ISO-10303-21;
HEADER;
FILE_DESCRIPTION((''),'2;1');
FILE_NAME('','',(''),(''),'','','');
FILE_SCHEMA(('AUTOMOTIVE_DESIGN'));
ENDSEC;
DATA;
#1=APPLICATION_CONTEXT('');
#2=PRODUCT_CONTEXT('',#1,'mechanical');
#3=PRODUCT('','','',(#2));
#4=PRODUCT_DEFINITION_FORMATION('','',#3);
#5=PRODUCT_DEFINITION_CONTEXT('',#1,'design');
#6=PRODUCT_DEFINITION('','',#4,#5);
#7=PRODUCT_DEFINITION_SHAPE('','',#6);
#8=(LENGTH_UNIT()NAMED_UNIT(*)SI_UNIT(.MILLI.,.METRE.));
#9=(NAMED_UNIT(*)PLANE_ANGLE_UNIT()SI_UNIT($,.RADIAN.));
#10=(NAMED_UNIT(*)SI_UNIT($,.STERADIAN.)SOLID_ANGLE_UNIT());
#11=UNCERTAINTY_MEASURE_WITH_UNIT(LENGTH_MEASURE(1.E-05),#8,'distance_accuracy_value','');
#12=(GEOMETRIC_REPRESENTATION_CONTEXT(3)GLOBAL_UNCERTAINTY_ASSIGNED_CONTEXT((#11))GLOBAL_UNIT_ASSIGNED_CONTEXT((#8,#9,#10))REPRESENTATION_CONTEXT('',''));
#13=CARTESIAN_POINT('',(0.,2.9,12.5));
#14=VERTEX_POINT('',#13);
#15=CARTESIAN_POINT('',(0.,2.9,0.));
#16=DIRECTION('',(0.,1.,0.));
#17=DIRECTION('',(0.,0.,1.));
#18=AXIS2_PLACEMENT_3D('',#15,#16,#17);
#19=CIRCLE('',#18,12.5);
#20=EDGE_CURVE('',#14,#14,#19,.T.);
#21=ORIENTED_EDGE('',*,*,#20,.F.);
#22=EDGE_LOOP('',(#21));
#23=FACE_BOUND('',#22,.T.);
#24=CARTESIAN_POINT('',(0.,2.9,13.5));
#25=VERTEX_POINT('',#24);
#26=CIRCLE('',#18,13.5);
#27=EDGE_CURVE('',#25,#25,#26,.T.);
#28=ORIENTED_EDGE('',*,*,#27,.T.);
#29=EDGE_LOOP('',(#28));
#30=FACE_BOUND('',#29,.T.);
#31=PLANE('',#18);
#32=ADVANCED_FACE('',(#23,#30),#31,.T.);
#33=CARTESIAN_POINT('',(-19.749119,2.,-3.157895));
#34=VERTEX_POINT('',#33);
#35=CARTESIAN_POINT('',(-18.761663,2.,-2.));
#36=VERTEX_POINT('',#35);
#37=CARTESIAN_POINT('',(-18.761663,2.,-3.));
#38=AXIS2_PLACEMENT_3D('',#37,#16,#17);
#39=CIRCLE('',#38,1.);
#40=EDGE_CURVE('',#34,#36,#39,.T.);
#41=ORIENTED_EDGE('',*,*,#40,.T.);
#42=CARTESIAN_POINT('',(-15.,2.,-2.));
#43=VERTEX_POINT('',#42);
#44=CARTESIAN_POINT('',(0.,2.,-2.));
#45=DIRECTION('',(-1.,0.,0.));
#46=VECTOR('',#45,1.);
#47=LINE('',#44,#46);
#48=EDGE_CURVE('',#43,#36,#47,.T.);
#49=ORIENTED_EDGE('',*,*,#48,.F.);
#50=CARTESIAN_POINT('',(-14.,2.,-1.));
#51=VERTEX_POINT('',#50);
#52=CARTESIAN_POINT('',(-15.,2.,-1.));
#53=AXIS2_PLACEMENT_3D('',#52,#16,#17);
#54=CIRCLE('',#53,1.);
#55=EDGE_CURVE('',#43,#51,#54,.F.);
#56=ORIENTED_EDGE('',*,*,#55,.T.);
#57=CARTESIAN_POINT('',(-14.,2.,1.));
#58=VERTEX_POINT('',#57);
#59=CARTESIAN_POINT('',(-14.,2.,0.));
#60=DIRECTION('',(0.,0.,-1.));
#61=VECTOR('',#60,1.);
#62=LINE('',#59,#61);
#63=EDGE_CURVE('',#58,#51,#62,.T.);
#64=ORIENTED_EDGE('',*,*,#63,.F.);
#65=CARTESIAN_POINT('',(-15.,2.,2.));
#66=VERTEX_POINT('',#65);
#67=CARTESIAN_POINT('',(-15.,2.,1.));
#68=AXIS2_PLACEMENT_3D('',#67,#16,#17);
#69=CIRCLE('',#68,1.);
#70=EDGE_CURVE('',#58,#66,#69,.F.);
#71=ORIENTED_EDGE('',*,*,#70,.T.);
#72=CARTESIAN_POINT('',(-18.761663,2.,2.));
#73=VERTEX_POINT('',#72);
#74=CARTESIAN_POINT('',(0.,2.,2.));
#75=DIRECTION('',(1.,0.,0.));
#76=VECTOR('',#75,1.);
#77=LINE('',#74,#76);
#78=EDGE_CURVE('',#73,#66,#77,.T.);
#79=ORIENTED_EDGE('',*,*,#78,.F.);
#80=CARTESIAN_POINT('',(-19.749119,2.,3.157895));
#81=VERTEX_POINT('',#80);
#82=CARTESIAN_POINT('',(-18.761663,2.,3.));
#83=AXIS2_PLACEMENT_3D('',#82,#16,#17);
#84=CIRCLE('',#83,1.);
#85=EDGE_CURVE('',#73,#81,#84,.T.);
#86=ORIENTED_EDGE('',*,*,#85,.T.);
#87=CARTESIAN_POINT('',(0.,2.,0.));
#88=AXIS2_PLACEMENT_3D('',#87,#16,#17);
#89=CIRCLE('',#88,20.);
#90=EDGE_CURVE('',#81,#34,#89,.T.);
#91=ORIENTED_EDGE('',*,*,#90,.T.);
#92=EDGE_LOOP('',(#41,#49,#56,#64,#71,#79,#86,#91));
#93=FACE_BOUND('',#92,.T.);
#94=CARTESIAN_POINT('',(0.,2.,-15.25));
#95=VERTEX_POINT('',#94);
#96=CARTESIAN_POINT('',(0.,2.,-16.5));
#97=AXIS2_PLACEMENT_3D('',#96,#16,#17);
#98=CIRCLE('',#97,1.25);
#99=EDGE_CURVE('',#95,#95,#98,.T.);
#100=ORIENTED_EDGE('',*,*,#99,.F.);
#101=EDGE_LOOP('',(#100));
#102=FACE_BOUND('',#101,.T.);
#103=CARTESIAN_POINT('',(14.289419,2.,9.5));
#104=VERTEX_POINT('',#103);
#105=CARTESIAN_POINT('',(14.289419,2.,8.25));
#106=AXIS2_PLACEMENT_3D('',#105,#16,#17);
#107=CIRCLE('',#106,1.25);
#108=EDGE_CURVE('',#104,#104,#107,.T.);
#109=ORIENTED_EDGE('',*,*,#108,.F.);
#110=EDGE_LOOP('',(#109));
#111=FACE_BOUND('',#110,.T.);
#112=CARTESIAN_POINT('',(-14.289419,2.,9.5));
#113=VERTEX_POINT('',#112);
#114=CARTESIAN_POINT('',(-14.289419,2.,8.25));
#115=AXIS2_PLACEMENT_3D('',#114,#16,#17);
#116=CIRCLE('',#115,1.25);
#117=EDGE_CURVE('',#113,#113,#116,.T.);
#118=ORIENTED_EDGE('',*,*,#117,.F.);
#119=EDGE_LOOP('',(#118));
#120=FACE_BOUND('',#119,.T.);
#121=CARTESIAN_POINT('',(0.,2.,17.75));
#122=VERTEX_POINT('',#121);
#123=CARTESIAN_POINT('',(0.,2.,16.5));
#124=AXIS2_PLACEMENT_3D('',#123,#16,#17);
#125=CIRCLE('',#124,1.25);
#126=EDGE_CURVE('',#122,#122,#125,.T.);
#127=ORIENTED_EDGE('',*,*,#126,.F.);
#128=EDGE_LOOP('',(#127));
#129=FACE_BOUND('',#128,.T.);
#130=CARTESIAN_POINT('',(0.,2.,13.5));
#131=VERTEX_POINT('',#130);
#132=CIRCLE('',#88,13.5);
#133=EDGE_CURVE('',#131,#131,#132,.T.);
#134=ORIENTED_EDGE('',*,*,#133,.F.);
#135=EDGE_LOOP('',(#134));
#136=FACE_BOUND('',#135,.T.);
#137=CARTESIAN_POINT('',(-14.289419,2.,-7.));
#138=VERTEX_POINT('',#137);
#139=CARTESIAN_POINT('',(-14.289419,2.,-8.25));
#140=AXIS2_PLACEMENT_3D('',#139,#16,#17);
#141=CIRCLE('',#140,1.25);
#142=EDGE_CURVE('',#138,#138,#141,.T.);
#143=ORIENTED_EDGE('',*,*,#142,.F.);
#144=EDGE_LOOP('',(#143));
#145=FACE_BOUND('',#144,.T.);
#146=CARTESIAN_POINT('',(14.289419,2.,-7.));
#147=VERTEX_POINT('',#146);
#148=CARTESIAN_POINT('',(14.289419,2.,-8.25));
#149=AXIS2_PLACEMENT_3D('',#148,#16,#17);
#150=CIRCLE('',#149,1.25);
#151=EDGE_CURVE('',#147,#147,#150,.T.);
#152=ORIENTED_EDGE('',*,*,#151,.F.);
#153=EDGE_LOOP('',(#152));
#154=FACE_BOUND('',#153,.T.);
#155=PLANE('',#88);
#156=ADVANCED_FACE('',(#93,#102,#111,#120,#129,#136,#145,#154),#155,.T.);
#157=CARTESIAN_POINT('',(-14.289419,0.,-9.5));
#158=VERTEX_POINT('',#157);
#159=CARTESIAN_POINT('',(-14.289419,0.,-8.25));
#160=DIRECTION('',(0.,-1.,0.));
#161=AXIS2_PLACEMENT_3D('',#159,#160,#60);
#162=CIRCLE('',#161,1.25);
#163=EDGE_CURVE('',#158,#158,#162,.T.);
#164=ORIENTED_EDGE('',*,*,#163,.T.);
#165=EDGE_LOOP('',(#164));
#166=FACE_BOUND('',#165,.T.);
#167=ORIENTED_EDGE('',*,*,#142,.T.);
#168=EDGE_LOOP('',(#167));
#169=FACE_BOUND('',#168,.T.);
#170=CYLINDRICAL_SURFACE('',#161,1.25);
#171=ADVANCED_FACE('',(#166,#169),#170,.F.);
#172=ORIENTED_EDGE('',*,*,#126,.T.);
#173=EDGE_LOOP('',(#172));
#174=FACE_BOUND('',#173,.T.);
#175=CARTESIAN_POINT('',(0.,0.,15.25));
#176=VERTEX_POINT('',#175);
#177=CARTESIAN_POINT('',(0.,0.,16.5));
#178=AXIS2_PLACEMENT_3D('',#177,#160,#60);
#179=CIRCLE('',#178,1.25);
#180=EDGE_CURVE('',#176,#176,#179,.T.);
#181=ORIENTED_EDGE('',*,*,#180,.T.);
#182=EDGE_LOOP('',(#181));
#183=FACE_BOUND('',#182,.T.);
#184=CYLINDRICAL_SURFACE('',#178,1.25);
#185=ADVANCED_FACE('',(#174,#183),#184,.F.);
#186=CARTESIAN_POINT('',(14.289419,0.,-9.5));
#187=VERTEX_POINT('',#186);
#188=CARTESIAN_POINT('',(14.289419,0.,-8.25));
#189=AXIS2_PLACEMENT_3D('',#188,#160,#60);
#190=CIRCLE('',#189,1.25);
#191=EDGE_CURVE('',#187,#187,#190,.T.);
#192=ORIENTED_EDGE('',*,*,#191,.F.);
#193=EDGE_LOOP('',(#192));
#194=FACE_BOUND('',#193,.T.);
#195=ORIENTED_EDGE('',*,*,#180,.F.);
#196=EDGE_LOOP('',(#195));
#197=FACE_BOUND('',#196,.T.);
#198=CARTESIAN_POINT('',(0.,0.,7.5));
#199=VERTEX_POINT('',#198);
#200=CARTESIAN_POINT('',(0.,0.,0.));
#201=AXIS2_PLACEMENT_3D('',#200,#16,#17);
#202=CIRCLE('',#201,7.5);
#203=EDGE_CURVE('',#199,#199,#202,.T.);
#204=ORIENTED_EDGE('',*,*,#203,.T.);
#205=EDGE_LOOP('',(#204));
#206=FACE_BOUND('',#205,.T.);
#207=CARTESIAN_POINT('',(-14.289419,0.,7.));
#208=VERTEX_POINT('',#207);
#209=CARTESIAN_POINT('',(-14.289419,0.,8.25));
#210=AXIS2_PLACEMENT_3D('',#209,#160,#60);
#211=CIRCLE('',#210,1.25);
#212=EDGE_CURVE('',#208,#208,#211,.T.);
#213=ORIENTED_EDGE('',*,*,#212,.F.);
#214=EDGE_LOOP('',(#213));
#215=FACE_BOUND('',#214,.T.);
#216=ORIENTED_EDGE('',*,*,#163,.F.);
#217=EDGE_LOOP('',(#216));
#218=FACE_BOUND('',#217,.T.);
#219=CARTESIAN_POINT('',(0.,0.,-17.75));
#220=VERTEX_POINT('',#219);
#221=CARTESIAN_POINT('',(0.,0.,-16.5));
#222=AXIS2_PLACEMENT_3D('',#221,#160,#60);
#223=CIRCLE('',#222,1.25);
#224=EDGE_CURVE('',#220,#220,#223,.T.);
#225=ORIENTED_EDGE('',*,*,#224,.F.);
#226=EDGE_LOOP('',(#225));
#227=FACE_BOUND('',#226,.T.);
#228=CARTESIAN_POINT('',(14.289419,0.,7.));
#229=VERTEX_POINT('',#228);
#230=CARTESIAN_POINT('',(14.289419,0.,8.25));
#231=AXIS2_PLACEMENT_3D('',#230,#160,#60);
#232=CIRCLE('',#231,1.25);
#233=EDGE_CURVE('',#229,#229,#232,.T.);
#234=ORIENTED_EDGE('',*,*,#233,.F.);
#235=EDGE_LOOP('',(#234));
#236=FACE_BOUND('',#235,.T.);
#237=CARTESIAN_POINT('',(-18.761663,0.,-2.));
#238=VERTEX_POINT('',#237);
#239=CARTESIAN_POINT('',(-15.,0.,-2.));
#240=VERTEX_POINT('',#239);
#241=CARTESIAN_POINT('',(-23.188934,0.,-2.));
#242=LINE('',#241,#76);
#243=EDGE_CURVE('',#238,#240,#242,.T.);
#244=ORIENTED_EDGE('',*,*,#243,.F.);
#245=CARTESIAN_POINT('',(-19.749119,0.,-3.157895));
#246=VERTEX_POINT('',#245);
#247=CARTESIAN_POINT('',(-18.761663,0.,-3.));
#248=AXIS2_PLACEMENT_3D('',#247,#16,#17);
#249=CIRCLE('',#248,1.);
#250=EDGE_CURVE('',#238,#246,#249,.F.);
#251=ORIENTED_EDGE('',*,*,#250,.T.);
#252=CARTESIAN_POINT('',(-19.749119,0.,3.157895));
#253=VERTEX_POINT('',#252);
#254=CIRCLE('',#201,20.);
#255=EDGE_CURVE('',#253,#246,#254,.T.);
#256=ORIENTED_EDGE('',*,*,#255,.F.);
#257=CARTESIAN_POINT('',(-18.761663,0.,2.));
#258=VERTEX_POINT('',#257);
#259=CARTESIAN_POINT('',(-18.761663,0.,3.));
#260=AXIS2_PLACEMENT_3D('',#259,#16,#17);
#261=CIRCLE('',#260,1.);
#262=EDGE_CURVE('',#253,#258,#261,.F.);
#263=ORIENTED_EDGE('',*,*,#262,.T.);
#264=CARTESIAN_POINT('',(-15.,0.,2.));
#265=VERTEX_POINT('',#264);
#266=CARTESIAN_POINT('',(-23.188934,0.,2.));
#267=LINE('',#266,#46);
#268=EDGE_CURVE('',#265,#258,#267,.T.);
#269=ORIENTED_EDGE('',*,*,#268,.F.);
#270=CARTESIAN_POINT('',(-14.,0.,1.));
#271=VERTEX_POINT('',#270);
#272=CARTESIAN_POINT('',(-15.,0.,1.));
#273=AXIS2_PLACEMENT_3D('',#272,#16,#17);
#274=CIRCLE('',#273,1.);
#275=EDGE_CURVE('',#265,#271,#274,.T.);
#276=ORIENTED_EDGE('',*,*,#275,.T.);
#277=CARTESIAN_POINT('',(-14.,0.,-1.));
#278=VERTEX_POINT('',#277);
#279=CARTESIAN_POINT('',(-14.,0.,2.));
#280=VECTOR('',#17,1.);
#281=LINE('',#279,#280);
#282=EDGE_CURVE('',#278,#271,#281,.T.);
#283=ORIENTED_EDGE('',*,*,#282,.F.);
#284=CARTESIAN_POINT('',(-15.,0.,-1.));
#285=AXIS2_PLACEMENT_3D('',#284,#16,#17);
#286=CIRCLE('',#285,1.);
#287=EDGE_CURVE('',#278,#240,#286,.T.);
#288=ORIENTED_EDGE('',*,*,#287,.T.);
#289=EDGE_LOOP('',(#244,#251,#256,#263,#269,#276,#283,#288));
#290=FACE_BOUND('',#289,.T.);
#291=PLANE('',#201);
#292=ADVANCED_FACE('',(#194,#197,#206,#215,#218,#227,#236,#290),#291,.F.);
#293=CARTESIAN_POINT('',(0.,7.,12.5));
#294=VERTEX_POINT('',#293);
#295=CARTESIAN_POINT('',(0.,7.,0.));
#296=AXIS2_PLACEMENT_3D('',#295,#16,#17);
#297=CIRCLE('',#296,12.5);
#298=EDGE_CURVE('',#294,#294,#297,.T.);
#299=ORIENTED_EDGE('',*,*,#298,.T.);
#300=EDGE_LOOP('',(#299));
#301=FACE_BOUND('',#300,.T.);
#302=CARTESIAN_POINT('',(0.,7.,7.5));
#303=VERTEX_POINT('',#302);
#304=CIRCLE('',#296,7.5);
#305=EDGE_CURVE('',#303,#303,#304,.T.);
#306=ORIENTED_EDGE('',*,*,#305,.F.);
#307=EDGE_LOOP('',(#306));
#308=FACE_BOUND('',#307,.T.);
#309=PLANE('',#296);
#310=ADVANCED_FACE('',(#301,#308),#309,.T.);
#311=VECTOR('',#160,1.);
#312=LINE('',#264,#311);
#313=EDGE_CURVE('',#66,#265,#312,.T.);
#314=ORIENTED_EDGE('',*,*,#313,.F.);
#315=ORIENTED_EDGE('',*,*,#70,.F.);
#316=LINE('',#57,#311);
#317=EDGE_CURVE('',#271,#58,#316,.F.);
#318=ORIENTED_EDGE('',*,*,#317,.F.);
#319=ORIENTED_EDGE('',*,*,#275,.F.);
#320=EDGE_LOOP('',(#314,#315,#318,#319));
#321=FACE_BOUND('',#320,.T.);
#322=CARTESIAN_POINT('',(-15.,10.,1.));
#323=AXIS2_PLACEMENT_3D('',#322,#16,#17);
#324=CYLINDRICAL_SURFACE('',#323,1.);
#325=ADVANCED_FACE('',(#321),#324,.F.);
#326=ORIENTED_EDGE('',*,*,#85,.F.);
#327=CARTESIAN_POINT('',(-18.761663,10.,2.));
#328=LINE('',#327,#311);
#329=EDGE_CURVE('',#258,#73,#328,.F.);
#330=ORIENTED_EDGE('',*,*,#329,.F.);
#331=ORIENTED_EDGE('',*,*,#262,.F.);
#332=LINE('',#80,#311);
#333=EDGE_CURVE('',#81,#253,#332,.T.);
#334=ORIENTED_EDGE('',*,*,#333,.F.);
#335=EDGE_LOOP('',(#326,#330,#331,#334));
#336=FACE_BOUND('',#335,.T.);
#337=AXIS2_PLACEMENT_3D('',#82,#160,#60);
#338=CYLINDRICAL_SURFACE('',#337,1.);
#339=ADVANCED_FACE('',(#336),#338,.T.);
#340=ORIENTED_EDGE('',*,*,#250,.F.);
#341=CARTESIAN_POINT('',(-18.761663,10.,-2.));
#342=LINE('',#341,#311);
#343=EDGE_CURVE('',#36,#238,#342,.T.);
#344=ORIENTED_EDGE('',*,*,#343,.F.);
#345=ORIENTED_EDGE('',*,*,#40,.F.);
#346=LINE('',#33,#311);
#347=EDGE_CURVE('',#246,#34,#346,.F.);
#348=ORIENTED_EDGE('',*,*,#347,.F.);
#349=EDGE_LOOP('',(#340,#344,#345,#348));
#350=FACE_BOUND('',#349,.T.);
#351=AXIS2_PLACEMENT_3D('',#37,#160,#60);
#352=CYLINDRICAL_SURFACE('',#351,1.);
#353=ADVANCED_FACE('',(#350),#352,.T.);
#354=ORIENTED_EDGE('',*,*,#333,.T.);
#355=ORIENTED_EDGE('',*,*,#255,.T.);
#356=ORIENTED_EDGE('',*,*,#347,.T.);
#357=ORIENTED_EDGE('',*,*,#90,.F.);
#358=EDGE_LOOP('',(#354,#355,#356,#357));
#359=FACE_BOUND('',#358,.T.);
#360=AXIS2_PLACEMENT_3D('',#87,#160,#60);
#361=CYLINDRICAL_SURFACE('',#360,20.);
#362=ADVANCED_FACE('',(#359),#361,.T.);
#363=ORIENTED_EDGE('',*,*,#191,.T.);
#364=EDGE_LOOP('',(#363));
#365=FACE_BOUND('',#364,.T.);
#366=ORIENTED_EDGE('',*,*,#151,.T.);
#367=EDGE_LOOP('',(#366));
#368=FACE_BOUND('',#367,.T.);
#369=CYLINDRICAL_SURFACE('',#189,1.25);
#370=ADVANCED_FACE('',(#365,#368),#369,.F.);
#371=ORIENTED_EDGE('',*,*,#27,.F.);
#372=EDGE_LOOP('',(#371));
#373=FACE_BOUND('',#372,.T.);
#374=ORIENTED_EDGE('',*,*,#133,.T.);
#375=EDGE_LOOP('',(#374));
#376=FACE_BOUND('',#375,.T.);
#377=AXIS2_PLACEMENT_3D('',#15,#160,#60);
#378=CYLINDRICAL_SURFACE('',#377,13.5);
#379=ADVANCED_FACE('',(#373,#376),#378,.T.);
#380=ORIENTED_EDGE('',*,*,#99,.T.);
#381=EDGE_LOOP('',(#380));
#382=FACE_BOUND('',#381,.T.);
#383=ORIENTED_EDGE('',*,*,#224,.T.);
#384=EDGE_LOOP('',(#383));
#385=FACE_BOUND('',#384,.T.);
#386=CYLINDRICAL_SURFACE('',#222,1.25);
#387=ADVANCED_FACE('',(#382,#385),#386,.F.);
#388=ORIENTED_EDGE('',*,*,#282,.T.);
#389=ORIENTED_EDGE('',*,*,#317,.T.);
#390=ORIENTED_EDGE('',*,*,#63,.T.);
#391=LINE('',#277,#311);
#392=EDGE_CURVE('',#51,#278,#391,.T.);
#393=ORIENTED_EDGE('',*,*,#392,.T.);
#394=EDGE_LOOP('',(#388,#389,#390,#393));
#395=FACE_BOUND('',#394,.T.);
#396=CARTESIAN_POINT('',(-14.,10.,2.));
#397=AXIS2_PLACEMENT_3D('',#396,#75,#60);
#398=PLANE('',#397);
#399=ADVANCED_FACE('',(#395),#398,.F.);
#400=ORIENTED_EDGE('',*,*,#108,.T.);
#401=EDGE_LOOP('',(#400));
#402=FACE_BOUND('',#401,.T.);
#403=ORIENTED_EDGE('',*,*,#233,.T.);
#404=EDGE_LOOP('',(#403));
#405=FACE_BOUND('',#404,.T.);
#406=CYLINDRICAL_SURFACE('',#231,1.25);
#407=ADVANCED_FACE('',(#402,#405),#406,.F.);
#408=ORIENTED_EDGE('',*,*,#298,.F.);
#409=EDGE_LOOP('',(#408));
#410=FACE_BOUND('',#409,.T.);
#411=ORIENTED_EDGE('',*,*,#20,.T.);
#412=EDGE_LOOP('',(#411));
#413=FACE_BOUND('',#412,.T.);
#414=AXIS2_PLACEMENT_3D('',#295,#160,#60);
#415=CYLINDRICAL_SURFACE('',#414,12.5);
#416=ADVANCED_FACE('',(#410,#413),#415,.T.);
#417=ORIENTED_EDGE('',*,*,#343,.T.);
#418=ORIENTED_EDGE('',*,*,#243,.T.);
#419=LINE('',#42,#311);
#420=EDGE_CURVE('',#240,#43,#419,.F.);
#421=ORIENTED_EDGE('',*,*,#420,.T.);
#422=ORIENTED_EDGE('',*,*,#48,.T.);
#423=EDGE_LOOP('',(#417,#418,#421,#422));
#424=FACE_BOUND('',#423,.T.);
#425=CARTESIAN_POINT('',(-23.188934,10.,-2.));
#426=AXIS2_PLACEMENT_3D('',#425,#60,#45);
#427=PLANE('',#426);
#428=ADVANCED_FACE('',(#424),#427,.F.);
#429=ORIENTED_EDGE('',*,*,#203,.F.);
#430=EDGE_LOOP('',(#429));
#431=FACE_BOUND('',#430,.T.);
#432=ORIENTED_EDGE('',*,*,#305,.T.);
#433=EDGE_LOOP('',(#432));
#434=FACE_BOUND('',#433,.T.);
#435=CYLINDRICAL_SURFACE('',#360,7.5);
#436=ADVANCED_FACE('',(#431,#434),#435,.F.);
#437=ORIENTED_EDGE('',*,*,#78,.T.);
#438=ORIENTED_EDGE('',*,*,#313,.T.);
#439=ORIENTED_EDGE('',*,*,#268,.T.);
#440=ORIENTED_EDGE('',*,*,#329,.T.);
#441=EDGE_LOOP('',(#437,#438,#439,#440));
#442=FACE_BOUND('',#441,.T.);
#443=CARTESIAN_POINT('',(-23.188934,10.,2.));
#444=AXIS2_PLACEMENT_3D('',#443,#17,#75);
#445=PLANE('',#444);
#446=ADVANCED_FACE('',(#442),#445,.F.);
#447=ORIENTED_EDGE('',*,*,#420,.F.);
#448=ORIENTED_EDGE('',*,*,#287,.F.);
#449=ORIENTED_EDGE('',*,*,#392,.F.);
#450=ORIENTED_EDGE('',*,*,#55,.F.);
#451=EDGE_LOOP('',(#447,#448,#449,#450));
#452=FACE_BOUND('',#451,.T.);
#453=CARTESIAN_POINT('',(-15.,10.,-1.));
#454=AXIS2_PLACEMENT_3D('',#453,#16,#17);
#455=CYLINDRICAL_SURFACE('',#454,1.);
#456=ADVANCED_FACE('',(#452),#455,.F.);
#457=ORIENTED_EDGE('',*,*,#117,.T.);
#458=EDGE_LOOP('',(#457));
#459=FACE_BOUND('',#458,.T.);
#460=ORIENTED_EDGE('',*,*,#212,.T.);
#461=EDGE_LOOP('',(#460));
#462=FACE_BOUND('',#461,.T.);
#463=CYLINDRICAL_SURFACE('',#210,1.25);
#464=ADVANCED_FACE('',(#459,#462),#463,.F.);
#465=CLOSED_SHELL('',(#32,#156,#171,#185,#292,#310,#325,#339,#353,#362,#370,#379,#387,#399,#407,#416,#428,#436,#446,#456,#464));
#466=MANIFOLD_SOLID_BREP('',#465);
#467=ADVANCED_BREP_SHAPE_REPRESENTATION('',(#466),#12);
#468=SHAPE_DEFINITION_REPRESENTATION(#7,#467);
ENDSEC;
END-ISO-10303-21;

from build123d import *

# Parameters (mm, degrees)
SKETCH_1_R          = 20
SKETCH_1_R_2        = 7.5
SKETCH_1_R_3        = 1
EXTRUDE_1_DEPTH     = 2
SKETCH_2_R          = 12.5
SKETCH_2_R_2        = 7.5
EXTRUDE_2_DEPTH     = 5
SKETCH_3_R          = 13.5
SKETCH_3_R_2        = 12.5
EXTRUDE_3_DEPTH     = 0.9
SKETCH_4_W          = 9.188934261
SKETCH_4_H          = 4
CUT_EXTRUDE_1_DEPTH = 10
FILLET_1_R          = 1
HOLE_WIZARD_M3_1_D  = 2.5


with BuildPart() as part:
    # 草图1 → 凸台-拉伸1 (new body)
    with BuildSketch(Plane(origin=(0, 0, 0), x_dir=(1, 0, 0), z_dir=(0, 1, 0))):
        with Locations(Location((0, 0, 0), (0, 0, 270))):
            Circle(SKETCH_1_R)
        with Locations(Location((0, 0, 0), (0, 0, 270))):
            Circle(SKETCH_1_R_2, mode=Mode.SUBTRACT)
        with Locations(Location((0, 16.5, 0), (0, 0, 270))):
            Circle(SKETCH_1_R_3, mode=Mode.SUBTRACT)
        with Locations(Location((14.289419162, 8.25, 0), (0, 0, 270))):
            Circle(SKETCH_1_R_3, mode=Mode.SUBTRACT)
        with Locations(Location((14.289419162, -8.25, 0), (0, 0, 270))):
            Circle(SKETCH_1_R_3, mode=Mode.SUBTRACT)
        with Locations(Location((0, -16.5, 0), (0, 0, 270))):
            Circle(SKETCH_1_R_3, mode=Mode.SUBTRACT)
        with Locations(Location((-14.289419162, -8.25, 0), (0, 0, 270))):
            Circle(SKETCH_1_R_3, mode=Mode.SUBTRACT)
        with Locations(Location((-14.289419162, 8.25, 0), (0, 0, 270))):
            Circle(SKETCH_1_R_3, mode=Mode.SUBTRACT)
    extrude(amount=EXTRUDE_1_DEPTH)

    # 草图2 → 凸台-拉伸2 (add)
    with BuildSketch(Plane(origin=(0, 2, 0), x_dir=(1, 0, 0), z_dir=(0, 1, 0))):
        with Locations(Location((0, 0, 0), (0, 0, 270))):
            Circle(SKETCH_2_R)
        with Locations(Location((0, 0, 0), (0, 0, 270))):
            Circle(SKETCH_2_R_2, mode=Mode.SUBTRACT)
    extrude(amount=EXTRUDE_2_DEPTH)

    # 草图3 → 凸台-拉伸3 (add)
    with BuildSketch(Plane(origin=(0, 2, 0), x_dir=(1, 0, 0), z_dir=(0, 1, 0))):
        with Locations(Location((0, 0, 0), (0, 0, 270))):
            Circle(SKETCH_3_R)
        with Locations(Location((0, 0, 0), (0, 0, 270))):
            Circle(SKETCH_3_R_2, mode=Mode.SUBTRACT)
    extrude(amount=EXTRUDE_3_DEPTH)

    # 草图4 → 切除-拉伸1 (cut)
    with BuildSketch(Plane.XZ):
        with Locations((-18.59446713, 0)):
            Rectangle(SKETCH_4_W, SKETCH_4_H)
    extrude(amount=-CUT_EXTRUDE_1_DEPTH, mode=Mode.SUBTRACT)

    # 圆角1
    fillet_1_edges = [part.edges().sort_by_distance(p)[0] for p in [
        (-19.899748742, 1, -2),
        (-19.899748742, 1, 2),
        (-14, 1, 2),
        (-14, 1, -2),
    ]]
    fillet(fillet_1_edges, radius=FILLET_1_R)

    # M3 螺纹孔1 (through all)
    with Locations(Plane.XZ):
        with Locations((-14.289419162, 8.25), (0, 16.5), (14.289419162, 8.25), (14.289419162, -8.25), (0, -16.5), (-14.289419162, -8.25)):
            Hole(HOLE_WIZARD_M3_1_D / 2)


solid = part.part
